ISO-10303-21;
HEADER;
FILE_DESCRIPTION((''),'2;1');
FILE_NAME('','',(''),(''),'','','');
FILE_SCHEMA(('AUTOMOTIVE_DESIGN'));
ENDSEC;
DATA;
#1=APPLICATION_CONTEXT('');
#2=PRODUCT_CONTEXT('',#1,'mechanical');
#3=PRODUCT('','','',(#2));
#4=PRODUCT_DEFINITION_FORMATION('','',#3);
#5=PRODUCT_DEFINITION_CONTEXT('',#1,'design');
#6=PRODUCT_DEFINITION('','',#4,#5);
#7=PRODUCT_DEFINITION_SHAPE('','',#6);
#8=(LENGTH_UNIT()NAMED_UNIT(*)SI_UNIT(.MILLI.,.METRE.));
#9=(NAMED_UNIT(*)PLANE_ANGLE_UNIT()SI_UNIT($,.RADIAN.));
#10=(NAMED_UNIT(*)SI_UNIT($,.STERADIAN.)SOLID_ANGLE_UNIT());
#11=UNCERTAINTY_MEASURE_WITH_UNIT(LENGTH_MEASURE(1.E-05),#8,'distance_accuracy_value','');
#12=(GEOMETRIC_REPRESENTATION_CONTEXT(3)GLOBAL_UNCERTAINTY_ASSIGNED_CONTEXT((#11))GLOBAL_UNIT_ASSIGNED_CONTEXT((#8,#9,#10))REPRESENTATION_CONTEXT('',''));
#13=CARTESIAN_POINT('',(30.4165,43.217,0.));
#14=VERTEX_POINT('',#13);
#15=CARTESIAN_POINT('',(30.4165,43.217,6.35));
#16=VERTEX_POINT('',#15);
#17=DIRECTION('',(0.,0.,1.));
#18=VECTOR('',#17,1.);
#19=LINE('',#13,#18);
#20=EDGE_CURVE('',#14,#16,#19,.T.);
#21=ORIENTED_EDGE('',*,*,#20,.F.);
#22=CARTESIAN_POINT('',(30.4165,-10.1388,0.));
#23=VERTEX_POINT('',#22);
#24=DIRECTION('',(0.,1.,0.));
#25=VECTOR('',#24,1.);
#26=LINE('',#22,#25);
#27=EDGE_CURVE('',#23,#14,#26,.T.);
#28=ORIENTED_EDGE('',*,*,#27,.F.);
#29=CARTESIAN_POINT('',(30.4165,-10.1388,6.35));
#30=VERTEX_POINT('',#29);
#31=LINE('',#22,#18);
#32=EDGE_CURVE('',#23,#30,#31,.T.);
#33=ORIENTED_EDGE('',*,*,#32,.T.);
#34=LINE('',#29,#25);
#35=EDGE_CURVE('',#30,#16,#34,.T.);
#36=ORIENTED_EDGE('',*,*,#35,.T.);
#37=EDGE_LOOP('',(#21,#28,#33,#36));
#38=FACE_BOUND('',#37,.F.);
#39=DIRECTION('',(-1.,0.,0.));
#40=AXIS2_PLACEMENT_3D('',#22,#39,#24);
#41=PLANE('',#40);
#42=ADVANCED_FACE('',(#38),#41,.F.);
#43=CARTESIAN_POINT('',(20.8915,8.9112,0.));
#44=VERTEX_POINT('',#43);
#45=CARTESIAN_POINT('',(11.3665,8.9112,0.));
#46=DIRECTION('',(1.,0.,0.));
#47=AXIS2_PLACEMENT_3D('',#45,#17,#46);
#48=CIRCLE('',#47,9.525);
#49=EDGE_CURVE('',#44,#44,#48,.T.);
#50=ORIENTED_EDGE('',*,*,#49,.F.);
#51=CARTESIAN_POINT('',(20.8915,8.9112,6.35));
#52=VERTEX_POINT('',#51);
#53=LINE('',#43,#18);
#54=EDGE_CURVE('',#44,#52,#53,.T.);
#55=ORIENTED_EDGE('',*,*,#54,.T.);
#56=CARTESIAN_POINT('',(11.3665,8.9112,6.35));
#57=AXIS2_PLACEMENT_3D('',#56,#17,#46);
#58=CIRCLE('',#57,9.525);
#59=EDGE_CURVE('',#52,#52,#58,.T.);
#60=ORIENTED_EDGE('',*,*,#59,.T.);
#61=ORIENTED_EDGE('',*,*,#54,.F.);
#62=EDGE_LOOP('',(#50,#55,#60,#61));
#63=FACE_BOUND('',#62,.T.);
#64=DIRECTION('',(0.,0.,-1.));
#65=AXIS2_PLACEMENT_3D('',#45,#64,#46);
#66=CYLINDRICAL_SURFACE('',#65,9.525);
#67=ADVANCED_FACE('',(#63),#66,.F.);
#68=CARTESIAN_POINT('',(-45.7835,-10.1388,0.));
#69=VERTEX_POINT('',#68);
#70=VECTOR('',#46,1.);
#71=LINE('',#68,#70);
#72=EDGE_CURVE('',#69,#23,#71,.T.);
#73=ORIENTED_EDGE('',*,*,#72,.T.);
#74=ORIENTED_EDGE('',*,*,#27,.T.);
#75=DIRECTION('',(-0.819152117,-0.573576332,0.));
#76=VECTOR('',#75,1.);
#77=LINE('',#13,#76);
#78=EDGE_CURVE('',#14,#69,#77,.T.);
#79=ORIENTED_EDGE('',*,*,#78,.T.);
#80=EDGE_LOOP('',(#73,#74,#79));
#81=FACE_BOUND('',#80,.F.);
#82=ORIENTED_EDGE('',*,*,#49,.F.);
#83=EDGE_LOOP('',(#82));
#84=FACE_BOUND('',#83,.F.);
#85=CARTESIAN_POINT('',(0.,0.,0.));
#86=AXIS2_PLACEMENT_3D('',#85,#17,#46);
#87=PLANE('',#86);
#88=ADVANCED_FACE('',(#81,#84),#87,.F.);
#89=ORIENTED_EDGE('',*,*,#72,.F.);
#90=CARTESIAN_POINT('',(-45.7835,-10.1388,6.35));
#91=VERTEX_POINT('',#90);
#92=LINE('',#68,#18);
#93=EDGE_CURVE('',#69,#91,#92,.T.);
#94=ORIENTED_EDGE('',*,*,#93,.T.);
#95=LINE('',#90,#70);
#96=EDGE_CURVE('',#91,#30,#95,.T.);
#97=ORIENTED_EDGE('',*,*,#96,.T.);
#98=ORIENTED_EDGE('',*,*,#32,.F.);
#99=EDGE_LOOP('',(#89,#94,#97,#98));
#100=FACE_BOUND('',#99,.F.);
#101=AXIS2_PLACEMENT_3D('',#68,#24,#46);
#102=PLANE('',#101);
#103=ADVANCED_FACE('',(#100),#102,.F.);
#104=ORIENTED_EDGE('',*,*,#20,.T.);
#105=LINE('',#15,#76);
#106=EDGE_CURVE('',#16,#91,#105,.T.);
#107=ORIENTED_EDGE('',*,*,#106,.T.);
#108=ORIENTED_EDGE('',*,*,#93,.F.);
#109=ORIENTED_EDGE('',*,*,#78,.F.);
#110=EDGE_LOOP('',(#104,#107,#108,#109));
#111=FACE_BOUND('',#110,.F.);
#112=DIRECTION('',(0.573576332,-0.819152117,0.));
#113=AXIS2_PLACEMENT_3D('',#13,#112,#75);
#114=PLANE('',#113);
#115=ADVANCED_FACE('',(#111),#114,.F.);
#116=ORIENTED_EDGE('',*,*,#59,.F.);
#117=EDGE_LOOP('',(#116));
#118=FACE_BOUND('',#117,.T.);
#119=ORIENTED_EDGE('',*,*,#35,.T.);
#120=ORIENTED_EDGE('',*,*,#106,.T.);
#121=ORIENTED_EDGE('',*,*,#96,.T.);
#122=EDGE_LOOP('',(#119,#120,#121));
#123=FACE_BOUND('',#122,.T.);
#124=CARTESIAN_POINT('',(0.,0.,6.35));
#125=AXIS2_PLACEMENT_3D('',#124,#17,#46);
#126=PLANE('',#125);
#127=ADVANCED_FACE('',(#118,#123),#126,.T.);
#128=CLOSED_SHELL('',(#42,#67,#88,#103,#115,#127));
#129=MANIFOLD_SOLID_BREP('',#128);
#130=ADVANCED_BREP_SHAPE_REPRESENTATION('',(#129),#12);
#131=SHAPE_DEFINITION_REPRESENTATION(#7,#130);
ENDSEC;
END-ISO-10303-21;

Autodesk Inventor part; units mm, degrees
ref_plane "YZ Plane" through (0, 0, 0) normal (1, 0, 0) x (0, 1, 0)
ref_plane "XZ Plane" through (0, 0, 0) normal (0, 1, 0) x (-1, 0, 0)
ref_plane "XY Plane" through (0, 0, 0) normal (0, 0, 1) x (1, 0, 0)
sketch "Sketch1" plane through (0, 0, 0) normal (0, 0, 1) x (1, 0, 0)
  line L0 (-45.7835, -10.1388) -> (30.4165, -10.1388)
  line L1 (30.4165, -10.1388) -> (30.4165, 43.217)
  line L2 (30.4165, 43.217) -> (-45.7835, -10.1388)
  circle A0 centre (11.3665, 8.9112) radius 9.525
  point P0 (0, 0)
  dimension "d0" = 76.2
  dimension "d1" = 35
  dimension "d2" = 19.05
  dimension "d3" = 19.05
  dimension "d4" = 19.05
extrude "Extrusion1" add sketch "Sketch1" along normal blind 6.35
properties part number "triangle"
